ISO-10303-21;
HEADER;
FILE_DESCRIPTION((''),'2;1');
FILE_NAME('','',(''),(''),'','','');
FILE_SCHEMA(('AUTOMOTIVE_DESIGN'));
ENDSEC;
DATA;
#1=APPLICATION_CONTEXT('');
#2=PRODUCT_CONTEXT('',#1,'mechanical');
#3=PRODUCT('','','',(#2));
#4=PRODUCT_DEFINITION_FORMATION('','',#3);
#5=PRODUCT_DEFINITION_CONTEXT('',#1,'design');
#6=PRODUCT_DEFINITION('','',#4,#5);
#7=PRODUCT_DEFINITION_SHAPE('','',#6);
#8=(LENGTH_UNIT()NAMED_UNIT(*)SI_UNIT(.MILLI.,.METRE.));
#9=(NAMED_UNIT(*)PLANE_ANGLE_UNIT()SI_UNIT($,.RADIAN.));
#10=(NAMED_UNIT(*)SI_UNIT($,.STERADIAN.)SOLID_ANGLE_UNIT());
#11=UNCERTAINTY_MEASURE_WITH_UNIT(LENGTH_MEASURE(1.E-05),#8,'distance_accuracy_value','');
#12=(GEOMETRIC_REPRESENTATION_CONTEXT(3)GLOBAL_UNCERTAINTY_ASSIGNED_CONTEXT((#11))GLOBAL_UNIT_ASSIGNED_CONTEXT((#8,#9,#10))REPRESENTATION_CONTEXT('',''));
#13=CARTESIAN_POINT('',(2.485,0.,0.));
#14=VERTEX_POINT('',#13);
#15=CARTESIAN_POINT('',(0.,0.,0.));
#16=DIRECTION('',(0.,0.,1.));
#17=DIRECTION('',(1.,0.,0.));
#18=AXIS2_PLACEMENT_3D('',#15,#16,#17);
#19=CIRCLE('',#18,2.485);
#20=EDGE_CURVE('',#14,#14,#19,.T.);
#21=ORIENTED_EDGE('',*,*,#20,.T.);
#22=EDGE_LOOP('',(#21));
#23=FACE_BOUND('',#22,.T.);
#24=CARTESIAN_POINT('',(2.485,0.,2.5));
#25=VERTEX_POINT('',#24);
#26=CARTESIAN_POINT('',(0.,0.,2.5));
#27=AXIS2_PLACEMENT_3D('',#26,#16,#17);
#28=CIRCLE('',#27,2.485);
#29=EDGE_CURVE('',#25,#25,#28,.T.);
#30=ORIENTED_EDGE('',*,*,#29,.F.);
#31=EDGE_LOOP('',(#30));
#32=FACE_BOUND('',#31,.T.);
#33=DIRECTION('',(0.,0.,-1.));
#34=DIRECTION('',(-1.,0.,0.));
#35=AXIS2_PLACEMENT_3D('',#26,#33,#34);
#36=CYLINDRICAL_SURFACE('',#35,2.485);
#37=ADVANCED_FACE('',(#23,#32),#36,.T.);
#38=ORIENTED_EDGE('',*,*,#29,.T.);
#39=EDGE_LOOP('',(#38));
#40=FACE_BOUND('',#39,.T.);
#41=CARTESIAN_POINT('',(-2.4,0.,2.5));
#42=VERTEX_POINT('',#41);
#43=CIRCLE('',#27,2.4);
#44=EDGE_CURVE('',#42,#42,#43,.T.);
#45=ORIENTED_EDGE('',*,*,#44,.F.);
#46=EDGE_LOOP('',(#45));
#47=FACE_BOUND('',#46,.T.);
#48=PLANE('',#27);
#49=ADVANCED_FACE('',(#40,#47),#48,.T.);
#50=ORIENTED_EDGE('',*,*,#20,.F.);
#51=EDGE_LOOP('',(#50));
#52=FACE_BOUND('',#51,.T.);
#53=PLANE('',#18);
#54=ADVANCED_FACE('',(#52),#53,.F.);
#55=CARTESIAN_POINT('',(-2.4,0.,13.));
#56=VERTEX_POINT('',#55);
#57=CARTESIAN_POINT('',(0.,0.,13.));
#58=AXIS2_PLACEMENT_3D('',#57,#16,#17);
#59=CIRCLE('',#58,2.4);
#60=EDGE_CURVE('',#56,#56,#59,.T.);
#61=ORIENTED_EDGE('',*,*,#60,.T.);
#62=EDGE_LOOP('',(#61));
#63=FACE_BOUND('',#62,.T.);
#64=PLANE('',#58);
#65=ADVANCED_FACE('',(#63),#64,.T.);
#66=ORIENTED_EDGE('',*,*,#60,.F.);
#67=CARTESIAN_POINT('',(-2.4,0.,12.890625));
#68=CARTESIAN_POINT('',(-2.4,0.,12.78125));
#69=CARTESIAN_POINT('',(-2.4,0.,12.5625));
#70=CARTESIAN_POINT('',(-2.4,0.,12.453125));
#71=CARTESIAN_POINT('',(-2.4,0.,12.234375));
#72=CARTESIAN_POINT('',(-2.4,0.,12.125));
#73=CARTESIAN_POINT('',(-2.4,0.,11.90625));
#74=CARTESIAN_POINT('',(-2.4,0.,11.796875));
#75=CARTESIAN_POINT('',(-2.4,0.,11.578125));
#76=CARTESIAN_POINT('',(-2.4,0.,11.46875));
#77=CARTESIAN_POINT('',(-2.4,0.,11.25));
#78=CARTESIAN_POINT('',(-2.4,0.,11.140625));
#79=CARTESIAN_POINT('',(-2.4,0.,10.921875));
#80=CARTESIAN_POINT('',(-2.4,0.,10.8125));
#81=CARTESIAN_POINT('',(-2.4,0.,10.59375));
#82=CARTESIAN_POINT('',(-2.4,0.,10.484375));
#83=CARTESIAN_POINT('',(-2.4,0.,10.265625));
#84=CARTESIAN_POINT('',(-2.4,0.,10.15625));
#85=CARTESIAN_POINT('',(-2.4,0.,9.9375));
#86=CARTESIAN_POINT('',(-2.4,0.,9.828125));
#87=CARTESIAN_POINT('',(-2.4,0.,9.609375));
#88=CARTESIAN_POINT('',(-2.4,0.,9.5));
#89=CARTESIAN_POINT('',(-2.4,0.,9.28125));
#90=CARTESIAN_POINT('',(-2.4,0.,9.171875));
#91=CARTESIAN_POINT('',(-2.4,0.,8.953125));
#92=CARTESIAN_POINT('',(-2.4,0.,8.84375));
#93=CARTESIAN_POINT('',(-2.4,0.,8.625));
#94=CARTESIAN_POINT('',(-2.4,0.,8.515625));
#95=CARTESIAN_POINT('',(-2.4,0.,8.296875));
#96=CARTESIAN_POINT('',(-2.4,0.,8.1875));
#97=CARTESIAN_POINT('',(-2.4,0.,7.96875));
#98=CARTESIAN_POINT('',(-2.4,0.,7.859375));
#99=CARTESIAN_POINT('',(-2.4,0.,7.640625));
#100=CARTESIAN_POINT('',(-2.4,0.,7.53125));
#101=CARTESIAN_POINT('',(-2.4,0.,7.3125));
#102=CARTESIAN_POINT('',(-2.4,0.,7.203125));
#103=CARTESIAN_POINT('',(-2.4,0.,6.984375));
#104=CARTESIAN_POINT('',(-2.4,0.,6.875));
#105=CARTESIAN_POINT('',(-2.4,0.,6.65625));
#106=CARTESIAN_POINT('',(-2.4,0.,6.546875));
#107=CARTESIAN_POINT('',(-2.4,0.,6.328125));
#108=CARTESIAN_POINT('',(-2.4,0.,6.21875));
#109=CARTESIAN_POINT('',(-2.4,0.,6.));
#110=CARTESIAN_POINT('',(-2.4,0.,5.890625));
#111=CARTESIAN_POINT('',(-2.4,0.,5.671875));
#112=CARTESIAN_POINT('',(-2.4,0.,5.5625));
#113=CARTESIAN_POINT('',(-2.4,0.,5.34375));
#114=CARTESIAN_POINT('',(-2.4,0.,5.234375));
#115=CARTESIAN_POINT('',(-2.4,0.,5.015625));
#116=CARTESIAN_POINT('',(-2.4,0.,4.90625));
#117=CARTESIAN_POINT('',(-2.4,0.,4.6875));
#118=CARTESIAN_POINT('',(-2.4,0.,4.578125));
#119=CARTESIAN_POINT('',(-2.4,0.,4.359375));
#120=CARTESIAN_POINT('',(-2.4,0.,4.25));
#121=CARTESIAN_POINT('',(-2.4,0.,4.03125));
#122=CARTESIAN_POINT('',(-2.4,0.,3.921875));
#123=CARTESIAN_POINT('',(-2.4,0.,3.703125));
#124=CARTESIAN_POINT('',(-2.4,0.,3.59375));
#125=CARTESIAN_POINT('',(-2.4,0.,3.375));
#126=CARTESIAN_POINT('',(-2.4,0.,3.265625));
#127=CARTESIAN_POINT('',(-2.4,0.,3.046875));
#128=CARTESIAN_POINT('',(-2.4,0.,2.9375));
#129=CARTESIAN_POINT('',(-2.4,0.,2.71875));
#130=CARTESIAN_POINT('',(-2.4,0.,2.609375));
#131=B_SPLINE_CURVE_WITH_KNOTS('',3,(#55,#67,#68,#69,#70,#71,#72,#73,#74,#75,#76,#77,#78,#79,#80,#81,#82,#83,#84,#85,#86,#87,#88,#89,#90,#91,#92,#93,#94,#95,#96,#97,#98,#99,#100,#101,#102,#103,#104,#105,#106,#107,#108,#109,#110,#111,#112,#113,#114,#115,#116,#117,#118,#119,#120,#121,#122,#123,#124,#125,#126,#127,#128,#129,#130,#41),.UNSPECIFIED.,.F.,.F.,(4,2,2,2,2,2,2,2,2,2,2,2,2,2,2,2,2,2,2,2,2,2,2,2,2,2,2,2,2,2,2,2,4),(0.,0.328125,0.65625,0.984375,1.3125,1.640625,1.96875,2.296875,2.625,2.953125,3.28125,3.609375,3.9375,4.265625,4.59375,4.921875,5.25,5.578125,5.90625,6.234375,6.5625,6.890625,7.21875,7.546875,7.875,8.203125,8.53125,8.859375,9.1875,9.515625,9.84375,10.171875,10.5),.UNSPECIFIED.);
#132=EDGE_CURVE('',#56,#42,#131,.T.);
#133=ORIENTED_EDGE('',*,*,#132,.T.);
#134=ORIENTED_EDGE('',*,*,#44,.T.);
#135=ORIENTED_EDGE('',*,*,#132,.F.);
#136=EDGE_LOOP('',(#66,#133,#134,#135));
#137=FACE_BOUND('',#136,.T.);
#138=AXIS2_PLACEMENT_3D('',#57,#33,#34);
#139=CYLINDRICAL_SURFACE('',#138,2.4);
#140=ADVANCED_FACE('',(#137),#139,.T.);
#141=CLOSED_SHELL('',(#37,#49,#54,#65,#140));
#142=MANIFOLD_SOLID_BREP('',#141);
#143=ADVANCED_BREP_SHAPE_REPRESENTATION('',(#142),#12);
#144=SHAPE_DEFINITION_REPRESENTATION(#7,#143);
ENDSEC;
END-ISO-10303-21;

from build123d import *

# Parameters (mm, degrees)
SKETCH_1_R      = 2.485
EXTRUDE_1_DEPTH = 2.5
SKETCH_2_R      = 2.4
EXTRUDE_2_DEPTH = 10.5


with BuildPart() as part:
    # 스케치1 → 보스-돌출1 (new body)
    with BuildSketch(Plane.XY):
        Circle(SKETCH_1_R)
    extrude(amount=EXTRUDE_1_DEPTH)

    # 스케치2 → 보스-돌출2 (add)
    with BuildSketch(Plane.XY.offset(2.5)):
        with Locations(Location((0, 0, 0), (0, 0, 180))):
            Circle(SKETCH_2_R)
    extrude(amount=EXTRUDE_2_DEPTH)


solid = part.part
